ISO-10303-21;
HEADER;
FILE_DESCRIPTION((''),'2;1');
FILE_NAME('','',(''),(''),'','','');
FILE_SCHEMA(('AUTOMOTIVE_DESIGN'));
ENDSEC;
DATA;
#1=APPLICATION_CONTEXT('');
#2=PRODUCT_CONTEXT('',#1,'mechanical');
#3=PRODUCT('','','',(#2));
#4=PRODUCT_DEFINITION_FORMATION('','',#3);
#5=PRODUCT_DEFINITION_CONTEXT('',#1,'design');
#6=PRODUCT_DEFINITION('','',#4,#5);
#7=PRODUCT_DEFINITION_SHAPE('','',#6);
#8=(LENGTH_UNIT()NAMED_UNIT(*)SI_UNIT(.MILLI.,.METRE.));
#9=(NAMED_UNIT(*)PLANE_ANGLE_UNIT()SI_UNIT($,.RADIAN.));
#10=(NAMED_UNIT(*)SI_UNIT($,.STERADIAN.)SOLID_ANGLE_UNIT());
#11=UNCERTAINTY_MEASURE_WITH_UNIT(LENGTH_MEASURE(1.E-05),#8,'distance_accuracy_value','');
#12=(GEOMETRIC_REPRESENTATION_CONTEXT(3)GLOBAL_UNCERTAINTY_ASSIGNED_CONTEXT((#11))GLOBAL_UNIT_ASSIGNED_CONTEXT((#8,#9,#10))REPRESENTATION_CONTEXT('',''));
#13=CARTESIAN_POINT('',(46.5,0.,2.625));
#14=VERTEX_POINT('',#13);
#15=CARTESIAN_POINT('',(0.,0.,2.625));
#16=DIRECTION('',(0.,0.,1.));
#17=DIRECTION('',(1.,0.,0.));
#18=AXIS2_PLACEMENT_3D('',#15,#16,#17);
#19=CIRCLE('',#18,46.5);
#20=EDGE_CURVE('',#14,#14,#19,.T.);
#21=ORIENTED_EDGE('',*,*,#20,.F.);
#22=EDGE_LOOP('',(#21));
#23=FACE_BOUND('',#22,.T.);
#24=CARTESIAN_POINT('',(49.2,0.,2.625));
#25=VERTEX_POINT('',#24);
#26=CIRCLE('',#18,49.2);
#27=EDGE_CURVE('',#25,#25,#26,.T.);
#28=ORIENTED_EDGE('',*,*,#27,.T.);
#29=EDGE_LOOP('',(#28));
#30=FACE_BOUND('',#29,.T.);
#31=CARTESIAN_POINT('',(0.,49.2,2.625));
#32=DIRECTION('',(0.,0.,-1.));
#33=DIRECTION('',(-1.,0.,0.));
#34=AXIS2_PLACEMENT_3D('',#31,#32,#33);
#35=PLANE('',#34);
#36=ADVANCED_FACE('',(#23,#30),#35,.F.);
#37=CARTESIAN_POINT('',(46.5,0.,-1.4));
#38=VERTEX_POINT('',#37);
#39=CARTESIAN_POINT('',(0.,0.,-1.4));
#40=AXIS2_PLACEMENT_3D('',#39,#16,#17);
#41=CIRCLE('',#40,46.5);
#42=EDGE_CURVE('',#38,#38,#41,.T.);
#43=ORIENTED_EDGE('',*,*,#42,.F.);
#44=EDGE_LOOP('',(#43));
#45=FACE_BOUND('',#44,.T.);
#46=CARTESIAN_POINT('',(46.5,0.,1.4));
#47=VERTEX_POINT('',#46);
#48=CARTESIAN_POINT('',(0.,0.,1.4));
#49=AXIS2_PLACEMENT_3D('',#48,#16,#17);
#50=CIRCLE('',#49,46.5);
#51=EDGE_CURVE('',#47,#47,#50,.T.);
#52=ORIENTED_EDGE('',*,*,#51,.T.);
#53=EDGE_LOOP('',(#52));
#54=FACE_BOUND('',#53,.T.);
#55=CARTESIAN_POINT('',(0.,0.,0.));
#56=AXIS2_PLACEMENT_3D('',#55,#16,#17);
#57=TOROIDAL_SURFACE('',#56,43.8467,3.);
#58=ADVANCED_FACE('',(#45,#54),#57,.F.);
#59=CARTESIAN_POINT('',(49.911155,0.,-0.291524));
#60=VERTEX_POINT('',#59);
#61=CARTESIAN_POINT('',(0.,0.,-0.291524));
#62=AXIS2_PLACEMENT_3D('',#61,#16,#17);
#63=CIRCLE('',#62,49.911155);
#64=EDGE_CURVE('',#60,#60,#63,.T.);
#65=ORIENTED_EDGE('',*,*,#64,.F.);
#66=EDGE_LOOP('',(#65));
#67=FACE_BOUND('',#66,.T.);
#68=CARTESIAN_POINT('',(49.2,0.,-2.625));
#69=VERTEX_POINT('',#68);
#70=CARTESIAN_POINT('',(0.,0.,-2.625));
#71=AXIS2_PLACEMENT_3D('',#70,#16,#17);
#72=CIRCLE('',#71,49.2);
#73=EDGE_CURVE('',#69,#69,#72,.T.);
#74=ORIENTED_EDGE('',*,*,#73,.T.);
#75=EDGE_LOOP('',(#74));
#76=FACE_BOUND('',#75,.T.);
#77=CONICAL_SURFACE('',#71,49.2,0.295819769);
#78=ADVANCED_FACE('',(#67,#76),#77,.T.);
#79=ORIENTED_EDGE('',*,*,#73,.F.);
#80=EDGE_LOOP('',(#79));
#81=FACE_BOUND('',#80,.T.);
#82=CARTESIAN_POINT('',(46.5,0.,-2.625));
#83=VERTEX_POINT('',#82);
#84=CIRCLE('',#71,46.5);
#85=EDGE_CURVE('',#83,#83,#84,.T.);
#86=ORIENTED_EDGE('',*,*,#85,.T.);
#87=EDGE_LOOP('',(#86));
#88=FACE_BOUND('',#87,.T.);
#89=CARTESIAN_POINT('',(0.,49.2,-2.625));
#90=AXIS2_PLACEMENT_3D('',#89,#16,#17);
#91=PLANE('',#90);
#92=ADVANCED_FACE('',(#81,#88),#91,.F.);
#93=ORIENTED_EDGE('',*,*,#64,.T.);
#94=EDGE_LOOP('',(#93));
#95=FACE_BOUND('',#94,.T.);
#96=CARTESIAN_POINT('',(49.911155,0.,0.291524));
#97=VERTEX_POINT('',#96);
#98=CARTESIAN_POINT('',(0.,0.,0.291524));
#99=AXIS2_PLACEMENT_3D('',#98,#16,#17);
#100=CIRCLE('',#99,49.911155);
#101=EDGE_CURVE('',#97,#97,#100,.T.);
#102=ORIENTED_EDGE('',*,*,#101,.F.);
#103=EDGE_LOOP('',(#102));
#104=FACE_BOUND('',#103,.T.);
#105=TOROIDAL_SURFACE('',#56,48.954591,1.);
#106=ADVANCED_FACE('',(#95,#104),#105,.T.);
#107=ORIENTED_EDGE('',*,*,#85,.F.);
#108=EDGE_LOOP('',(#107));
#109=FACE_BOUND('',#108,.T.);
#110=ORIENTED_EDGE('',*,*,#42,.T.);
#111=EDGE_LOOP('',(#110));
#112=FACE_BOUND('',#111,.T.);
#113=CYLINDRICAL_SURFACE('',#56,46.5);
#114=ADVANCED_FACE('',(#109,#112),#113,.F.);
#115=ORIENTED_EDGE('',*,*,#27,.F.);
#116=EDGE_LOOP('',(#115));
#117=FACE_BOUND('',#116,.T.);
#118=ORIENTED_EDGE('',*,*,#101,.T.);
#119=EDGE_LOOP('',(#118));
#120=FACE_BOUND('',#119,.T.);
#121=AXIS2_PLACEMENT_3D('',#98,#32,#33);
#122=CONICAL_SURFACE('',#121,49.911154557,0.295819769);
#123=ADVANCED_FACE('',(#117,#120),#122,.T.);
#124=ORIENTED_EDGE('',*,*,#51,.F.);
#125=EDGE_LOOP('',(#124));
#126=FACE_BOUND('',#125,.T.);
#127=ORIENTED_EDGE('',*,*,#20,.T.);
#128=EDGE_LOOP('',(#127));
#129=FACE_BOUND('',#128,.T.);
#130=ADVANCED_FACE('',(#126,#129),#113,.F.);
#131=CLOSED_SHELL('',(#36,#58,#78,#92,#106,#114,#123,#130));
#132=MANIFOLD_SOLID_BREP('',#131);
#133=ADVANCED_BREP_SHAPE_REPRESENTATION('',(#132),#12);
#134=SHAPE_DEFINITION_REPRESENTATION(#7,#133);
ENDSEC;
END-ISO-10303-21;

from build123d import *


with BuildPart() as part:
    # Sketch1 → Revolve1 (revolve)
    with BuildSketch(Plane(origin=(0, 0, 0), x_dir=(0, 0, -1), z_dir=(1, 0, 0)), mode=Mode.PRIVATE) as revolve1_sk:
        with BuildLine():
            Line((0.291524109, 49.911154557), (2.625, 49.2))
            Line((2.625, 49.2), (2.625, 46.5))
            Line((2.625, 46.5), (1.4, 46.5))
            ThreePointArc((1.4, 46.5), (0, 46.846700168), (-1.4, 46.5))
            Line((-1.4, 46.5), (-2.625, 46.5))
            Line((-2.625, 46.5), (-2.625, 49.2))
            Line((-2.625, 49.2), (-0.291524109, 49.911154557))
            ThreePointArc((-0.291524109, 49.911154557), (0, 49.954591076), (0.291524109, 49.911154557))
        make_face()
    revolve(revolve1_sk.sketch.rotate(Axis((0, 0, 0), (0, 0, -1)), 90), axis=Axis((0, 0, 0), (0, 0, -1)))


solid = part.part
